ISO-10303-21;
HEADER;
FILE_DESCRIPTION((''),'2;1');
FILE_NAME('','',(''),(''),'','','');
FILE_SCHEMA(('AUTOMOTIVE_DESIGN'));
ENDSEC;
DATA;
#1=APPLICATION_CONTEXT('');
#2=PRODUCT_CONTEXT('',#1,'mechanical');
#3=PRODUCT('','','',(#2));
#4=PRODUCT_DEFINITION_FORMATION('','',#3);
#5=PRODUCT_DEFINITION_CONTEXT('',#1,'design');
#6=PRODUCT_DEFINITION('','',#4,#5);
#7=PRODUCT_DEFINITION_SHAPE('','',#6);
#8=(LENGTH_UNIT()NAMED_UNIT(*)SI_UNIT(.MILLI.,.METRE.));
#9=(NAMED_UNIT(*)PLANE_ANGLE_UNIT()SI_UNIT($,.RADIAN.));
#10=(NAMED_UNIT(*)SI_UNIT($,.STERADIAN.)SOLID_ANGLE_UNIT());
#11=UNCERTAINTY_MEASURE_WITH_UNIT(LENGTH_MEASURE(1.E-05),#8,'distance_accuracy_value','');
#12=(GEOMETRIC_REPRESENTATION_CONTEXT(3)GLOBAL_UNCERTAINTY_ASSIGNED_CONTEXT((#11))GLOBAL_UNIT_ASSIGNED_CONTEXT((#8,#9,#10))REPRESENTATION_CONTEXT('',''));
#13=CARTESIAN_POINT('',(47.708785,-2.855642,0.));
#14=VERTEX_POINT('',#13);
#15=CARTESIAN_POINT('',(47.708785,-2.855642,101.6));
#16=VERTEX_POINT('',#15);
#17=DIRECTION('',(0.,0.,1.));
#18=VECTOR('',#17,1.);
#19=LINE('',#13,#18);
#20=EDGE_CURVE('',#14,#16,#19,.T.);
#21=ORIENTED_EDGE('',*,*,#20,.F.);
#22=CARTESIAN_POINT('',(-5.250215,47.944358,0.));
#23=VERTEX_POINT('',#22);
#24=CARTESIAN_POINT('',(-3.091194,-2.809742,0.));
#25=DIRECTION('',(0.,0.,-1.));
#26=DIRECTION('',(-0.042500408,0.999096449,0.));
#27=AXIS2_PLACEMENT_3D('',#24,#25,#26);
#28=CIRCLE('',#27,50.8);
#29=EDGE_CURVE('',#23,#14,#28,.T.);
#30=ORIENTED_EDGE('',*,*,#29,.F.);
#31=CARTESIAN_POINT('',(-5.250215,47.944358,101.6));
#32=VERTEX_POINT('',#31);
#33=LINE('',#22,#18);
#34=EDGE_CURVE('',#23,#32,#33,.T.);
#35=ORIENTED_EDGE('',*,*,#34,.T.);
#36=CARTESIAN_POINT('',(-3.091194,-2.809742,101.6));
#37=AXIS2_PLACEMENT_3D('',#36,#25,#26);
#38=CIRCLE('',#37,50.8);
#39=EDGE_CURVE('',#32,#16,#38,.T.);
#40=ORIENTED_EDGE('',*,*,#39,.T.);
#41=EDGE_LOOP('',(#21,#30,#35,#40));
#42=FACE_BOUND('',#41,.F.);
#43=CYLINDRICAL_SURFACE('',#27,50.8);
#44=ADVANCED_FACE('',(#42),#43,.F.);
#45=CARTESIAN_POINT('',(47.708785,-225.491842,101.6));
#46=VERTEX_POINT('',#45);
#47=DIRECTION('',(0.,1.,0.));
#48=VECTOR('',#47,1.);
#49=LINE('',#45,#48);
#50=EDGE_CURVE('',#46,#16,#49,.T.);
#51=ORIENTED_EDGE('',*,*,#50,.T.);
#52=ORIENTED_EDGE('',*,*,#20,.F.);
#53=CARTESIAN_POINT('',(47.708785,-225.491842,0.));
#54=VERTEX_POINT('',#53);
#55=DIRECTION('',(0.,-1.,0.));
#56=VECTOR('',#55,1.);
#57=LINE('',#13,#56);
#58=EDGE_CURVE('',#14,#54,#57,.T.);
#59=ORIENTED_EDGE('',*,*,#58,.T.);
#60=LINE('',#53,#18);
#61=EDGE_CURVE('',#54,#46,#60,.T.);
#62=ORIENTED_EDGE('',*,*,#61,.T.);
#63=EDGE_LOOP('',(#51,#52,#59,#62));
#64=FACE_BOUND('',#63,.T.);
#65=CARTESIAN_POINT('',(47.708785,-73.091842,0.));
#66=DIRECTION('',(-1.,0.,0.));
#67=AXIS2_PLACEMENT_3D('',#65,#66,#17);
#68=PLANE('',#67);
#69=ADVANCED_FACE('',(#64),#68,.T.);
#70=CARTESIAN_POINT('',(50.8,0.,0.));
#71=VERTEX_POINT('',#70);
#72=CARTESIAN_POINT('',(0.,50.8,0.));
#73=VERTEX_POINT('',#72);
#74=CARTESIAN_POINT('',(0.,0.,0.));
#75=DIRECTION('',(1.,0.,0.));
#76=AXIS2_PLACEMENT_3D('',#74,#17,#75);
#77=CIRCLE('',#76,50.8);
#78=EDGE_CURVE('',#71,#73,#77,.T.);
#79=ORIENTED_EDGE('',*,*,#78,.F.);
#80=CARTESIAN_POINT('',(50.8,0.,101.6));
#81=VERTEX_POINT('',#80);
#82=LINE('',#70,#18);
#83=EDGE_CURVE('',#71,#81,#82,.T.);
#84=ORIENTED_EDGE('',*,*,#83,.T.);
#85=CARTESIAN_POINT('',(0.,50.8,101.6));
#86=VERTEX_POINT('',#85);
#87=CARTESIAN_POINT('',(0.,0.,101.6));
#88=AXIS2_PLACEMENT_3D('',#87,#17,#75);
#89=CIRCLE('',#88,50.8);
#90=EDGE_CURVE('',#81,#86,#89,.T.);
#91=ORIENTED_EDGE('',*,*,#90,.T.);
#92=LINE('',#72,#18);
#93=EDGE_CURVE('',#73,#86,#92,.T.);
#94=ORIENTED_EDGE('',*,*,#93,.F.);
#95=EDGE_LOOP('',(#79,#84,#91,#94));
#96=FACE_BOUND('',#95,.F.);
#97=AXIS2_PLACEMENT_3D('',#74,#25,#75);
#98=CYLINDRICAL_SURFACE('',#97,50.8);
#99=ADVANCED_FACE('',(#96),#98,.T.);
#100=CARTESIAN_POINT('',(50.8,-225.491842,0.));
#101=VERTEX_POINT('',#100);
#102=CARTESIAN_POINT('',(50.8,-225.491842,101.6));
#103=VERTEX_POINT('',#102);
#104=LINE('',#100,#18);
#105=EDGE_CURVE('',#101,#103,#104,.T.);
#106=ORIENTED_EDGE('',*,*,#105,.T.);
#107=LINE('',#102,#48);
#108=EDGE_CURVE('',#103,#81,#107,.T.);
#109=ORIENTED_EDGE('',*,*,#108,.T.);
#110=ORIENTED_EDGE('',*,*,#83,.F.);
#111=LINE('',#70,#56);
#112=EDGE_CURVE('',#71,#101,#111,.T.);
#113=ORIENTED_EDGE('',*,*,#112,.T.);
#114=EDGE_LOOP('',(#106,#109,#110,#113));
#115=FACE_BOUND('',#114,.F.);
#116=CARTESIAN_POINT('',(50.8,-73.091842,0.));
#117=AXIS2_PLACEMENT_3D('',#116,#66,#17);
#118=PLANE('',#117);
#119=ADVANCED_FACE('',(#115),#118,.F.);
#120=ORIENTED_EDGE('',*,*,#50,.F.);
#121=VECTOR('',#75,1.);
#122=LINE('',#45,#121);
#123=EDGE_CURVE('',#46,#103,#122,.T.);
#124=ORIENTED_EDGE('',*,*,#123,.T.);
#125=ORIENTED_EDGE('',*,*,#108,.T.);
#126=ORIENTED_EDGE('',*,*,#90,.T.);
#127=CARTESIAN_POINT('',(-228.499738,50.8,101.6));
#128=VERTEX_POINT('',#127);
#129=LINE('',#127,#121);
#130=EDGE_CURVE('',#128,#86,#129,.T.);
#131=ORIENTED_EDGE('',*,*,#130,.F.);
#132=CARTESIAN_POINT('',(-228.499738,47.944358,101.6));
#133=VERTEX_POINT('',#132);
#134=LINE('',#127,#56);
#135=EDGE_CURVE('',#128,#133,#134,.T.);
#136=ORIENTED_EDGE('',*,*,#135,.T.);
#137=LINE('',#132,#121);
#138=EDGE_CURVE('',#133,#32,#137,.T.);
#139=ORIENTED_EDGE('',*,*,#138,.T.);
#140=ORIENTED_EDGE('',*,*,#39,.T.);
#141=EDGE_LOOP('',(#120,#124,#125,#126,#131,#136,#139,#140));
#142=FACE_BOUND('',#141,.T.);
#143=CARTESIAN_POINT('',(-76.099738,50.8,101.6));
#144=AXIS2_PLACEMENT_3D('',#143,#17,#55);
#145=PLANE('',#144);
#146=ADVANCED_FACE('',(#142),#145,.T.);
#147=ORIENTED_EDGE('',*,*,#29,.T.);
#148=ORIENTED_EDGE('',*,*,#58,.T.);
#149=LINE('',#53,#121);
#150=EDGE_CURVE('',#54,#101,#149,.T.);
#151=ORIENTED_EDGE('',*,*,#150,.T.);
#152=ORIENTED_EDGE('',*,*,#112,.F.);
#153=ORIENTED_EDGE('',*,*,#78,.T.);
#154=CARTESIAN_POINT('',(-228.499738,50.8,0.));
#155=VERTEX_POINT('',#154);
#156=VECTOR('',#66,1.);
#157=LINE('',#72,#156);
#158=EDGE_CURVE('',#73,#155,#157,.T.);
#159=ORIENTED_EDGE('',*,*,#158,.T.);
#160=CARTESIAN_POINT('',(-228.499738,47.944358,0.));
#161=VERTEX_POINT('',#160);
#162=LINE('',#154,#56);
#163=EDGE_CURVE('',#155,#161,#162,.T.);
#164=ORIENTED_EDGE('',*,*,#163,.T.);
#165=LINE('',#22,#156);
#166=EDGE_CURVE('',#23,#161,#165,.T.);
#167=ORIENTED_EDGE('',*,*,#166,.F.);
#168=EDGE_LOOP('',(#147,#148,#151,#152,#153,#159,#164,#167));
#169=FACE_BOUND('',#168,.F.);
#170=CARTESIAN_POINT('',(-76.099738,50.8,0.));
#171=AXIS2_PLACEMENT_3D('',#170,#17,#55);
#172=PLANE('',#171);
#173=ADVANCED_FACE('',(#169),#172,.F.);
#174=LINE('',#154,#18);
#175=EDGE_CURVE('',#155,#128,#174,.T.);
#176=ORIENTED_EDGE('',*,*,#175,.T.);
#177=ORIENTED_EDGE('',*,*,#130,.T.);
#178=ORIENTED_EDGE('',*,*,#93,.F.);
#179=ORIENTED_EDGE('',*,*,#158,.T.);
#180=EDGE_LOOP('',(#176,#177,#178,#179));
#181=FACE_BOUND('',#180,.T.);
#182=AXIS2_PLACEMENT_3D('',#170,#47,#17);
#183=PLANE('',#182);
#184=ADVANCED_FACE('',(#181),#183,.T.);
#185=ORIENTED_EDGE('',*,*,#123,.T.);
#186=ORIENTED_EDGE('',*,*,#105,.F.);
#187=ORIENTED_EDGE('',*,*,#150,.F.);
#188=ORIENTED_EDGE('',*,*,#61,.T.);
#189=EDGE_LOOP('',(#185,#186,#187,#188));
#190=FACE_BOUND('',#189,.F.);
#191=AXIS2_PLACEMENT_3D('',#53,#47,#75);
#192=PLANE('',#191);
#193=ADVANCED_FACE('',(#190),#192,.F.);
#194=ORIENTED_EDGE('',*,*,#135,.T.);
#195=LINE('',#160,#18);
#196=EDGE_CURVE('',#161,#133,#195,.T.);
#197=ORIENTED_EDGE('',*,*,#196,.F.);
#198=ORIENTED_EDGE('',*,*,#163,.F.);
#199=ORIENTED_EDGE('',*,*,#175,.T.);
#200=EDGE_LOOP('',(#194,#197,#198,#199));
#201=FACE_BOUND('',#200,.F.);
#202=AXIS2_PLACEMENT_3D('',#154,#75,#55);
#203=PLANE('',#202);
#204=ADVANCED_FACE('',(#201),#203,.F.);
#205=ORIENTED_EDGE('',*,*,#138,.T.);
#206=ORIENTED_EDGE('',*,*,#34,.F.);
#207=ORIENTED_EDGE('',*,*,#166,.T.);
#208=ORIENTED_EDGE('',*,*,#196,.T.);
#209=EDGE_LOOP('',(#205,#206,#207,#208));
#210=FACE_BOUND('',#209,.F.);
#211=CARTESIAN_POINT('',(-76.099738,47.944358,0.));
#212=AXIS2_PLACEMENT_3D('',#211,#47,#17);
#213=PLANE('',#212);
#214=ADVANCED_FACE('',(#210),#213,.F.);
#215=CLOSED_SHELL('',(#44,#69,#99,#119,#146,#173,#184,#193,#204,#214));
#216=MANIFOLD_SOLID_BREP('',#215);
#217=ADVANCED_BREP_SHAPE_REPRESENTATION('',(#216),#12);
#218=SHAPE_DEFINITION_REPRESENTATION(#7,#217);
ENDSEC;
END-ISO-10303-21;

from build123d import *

# Parameters (mm, degrees)
F1_DEPTH = 101.6
F2_DEPTH = 152.4
F3_DEPTH = 152.4


with BuildPart() as f1:
    # F0 (on Top) → F1 (new body)
    with BuildSketch(Plane.XY):
        with BuildLine():
            Line((50.8, -73.0918422341), (50.8, 0))
            ThreePointArc((50.8, 0), (35.9210244843, 35.9210244843), (0, 50.8))
            Line((0, 50.8), (-76.0997384787, 50.8))
            Line((-76.0997384787, 50.8), (-76.0997384787, 47.9443576366))
            Line((-76.0997384787, 47.9443576366), (-5.2502147954, 47.9443576366))
            ThreePointArc((-5.2502147954, 47.9443576366), (32.074779717, 33.8507856659), (47.7087852046, -2.8556423634))
            Line((47.7087852046, -2.8556423634), (47.7087852046, -73.0918422341))
            Line((47.7087852046, -73.0918422341), (50.8, -73.0918422341))
        make_face()
    extrude(amount=F1_DEPTH)

    # F2 (add): a face of the model
    f2_faces = [f1.faces().sort_by_distance(p)[0] for p in [
        (49.2543926023, -73.0918422341, 50.8),
    ]]
    extrude(f2_faces, amount=F2_DEPTH)

    # F3 (add): a face of the model
    f3_faces = [f1.faces().sort_by_distance(p)[0] for p in [
        (-76.0997384787, 49.3721788183, 50.8),
    ]]
    extrude(f3_faces, amount=F3_DEPTH)


solid = f1.part
